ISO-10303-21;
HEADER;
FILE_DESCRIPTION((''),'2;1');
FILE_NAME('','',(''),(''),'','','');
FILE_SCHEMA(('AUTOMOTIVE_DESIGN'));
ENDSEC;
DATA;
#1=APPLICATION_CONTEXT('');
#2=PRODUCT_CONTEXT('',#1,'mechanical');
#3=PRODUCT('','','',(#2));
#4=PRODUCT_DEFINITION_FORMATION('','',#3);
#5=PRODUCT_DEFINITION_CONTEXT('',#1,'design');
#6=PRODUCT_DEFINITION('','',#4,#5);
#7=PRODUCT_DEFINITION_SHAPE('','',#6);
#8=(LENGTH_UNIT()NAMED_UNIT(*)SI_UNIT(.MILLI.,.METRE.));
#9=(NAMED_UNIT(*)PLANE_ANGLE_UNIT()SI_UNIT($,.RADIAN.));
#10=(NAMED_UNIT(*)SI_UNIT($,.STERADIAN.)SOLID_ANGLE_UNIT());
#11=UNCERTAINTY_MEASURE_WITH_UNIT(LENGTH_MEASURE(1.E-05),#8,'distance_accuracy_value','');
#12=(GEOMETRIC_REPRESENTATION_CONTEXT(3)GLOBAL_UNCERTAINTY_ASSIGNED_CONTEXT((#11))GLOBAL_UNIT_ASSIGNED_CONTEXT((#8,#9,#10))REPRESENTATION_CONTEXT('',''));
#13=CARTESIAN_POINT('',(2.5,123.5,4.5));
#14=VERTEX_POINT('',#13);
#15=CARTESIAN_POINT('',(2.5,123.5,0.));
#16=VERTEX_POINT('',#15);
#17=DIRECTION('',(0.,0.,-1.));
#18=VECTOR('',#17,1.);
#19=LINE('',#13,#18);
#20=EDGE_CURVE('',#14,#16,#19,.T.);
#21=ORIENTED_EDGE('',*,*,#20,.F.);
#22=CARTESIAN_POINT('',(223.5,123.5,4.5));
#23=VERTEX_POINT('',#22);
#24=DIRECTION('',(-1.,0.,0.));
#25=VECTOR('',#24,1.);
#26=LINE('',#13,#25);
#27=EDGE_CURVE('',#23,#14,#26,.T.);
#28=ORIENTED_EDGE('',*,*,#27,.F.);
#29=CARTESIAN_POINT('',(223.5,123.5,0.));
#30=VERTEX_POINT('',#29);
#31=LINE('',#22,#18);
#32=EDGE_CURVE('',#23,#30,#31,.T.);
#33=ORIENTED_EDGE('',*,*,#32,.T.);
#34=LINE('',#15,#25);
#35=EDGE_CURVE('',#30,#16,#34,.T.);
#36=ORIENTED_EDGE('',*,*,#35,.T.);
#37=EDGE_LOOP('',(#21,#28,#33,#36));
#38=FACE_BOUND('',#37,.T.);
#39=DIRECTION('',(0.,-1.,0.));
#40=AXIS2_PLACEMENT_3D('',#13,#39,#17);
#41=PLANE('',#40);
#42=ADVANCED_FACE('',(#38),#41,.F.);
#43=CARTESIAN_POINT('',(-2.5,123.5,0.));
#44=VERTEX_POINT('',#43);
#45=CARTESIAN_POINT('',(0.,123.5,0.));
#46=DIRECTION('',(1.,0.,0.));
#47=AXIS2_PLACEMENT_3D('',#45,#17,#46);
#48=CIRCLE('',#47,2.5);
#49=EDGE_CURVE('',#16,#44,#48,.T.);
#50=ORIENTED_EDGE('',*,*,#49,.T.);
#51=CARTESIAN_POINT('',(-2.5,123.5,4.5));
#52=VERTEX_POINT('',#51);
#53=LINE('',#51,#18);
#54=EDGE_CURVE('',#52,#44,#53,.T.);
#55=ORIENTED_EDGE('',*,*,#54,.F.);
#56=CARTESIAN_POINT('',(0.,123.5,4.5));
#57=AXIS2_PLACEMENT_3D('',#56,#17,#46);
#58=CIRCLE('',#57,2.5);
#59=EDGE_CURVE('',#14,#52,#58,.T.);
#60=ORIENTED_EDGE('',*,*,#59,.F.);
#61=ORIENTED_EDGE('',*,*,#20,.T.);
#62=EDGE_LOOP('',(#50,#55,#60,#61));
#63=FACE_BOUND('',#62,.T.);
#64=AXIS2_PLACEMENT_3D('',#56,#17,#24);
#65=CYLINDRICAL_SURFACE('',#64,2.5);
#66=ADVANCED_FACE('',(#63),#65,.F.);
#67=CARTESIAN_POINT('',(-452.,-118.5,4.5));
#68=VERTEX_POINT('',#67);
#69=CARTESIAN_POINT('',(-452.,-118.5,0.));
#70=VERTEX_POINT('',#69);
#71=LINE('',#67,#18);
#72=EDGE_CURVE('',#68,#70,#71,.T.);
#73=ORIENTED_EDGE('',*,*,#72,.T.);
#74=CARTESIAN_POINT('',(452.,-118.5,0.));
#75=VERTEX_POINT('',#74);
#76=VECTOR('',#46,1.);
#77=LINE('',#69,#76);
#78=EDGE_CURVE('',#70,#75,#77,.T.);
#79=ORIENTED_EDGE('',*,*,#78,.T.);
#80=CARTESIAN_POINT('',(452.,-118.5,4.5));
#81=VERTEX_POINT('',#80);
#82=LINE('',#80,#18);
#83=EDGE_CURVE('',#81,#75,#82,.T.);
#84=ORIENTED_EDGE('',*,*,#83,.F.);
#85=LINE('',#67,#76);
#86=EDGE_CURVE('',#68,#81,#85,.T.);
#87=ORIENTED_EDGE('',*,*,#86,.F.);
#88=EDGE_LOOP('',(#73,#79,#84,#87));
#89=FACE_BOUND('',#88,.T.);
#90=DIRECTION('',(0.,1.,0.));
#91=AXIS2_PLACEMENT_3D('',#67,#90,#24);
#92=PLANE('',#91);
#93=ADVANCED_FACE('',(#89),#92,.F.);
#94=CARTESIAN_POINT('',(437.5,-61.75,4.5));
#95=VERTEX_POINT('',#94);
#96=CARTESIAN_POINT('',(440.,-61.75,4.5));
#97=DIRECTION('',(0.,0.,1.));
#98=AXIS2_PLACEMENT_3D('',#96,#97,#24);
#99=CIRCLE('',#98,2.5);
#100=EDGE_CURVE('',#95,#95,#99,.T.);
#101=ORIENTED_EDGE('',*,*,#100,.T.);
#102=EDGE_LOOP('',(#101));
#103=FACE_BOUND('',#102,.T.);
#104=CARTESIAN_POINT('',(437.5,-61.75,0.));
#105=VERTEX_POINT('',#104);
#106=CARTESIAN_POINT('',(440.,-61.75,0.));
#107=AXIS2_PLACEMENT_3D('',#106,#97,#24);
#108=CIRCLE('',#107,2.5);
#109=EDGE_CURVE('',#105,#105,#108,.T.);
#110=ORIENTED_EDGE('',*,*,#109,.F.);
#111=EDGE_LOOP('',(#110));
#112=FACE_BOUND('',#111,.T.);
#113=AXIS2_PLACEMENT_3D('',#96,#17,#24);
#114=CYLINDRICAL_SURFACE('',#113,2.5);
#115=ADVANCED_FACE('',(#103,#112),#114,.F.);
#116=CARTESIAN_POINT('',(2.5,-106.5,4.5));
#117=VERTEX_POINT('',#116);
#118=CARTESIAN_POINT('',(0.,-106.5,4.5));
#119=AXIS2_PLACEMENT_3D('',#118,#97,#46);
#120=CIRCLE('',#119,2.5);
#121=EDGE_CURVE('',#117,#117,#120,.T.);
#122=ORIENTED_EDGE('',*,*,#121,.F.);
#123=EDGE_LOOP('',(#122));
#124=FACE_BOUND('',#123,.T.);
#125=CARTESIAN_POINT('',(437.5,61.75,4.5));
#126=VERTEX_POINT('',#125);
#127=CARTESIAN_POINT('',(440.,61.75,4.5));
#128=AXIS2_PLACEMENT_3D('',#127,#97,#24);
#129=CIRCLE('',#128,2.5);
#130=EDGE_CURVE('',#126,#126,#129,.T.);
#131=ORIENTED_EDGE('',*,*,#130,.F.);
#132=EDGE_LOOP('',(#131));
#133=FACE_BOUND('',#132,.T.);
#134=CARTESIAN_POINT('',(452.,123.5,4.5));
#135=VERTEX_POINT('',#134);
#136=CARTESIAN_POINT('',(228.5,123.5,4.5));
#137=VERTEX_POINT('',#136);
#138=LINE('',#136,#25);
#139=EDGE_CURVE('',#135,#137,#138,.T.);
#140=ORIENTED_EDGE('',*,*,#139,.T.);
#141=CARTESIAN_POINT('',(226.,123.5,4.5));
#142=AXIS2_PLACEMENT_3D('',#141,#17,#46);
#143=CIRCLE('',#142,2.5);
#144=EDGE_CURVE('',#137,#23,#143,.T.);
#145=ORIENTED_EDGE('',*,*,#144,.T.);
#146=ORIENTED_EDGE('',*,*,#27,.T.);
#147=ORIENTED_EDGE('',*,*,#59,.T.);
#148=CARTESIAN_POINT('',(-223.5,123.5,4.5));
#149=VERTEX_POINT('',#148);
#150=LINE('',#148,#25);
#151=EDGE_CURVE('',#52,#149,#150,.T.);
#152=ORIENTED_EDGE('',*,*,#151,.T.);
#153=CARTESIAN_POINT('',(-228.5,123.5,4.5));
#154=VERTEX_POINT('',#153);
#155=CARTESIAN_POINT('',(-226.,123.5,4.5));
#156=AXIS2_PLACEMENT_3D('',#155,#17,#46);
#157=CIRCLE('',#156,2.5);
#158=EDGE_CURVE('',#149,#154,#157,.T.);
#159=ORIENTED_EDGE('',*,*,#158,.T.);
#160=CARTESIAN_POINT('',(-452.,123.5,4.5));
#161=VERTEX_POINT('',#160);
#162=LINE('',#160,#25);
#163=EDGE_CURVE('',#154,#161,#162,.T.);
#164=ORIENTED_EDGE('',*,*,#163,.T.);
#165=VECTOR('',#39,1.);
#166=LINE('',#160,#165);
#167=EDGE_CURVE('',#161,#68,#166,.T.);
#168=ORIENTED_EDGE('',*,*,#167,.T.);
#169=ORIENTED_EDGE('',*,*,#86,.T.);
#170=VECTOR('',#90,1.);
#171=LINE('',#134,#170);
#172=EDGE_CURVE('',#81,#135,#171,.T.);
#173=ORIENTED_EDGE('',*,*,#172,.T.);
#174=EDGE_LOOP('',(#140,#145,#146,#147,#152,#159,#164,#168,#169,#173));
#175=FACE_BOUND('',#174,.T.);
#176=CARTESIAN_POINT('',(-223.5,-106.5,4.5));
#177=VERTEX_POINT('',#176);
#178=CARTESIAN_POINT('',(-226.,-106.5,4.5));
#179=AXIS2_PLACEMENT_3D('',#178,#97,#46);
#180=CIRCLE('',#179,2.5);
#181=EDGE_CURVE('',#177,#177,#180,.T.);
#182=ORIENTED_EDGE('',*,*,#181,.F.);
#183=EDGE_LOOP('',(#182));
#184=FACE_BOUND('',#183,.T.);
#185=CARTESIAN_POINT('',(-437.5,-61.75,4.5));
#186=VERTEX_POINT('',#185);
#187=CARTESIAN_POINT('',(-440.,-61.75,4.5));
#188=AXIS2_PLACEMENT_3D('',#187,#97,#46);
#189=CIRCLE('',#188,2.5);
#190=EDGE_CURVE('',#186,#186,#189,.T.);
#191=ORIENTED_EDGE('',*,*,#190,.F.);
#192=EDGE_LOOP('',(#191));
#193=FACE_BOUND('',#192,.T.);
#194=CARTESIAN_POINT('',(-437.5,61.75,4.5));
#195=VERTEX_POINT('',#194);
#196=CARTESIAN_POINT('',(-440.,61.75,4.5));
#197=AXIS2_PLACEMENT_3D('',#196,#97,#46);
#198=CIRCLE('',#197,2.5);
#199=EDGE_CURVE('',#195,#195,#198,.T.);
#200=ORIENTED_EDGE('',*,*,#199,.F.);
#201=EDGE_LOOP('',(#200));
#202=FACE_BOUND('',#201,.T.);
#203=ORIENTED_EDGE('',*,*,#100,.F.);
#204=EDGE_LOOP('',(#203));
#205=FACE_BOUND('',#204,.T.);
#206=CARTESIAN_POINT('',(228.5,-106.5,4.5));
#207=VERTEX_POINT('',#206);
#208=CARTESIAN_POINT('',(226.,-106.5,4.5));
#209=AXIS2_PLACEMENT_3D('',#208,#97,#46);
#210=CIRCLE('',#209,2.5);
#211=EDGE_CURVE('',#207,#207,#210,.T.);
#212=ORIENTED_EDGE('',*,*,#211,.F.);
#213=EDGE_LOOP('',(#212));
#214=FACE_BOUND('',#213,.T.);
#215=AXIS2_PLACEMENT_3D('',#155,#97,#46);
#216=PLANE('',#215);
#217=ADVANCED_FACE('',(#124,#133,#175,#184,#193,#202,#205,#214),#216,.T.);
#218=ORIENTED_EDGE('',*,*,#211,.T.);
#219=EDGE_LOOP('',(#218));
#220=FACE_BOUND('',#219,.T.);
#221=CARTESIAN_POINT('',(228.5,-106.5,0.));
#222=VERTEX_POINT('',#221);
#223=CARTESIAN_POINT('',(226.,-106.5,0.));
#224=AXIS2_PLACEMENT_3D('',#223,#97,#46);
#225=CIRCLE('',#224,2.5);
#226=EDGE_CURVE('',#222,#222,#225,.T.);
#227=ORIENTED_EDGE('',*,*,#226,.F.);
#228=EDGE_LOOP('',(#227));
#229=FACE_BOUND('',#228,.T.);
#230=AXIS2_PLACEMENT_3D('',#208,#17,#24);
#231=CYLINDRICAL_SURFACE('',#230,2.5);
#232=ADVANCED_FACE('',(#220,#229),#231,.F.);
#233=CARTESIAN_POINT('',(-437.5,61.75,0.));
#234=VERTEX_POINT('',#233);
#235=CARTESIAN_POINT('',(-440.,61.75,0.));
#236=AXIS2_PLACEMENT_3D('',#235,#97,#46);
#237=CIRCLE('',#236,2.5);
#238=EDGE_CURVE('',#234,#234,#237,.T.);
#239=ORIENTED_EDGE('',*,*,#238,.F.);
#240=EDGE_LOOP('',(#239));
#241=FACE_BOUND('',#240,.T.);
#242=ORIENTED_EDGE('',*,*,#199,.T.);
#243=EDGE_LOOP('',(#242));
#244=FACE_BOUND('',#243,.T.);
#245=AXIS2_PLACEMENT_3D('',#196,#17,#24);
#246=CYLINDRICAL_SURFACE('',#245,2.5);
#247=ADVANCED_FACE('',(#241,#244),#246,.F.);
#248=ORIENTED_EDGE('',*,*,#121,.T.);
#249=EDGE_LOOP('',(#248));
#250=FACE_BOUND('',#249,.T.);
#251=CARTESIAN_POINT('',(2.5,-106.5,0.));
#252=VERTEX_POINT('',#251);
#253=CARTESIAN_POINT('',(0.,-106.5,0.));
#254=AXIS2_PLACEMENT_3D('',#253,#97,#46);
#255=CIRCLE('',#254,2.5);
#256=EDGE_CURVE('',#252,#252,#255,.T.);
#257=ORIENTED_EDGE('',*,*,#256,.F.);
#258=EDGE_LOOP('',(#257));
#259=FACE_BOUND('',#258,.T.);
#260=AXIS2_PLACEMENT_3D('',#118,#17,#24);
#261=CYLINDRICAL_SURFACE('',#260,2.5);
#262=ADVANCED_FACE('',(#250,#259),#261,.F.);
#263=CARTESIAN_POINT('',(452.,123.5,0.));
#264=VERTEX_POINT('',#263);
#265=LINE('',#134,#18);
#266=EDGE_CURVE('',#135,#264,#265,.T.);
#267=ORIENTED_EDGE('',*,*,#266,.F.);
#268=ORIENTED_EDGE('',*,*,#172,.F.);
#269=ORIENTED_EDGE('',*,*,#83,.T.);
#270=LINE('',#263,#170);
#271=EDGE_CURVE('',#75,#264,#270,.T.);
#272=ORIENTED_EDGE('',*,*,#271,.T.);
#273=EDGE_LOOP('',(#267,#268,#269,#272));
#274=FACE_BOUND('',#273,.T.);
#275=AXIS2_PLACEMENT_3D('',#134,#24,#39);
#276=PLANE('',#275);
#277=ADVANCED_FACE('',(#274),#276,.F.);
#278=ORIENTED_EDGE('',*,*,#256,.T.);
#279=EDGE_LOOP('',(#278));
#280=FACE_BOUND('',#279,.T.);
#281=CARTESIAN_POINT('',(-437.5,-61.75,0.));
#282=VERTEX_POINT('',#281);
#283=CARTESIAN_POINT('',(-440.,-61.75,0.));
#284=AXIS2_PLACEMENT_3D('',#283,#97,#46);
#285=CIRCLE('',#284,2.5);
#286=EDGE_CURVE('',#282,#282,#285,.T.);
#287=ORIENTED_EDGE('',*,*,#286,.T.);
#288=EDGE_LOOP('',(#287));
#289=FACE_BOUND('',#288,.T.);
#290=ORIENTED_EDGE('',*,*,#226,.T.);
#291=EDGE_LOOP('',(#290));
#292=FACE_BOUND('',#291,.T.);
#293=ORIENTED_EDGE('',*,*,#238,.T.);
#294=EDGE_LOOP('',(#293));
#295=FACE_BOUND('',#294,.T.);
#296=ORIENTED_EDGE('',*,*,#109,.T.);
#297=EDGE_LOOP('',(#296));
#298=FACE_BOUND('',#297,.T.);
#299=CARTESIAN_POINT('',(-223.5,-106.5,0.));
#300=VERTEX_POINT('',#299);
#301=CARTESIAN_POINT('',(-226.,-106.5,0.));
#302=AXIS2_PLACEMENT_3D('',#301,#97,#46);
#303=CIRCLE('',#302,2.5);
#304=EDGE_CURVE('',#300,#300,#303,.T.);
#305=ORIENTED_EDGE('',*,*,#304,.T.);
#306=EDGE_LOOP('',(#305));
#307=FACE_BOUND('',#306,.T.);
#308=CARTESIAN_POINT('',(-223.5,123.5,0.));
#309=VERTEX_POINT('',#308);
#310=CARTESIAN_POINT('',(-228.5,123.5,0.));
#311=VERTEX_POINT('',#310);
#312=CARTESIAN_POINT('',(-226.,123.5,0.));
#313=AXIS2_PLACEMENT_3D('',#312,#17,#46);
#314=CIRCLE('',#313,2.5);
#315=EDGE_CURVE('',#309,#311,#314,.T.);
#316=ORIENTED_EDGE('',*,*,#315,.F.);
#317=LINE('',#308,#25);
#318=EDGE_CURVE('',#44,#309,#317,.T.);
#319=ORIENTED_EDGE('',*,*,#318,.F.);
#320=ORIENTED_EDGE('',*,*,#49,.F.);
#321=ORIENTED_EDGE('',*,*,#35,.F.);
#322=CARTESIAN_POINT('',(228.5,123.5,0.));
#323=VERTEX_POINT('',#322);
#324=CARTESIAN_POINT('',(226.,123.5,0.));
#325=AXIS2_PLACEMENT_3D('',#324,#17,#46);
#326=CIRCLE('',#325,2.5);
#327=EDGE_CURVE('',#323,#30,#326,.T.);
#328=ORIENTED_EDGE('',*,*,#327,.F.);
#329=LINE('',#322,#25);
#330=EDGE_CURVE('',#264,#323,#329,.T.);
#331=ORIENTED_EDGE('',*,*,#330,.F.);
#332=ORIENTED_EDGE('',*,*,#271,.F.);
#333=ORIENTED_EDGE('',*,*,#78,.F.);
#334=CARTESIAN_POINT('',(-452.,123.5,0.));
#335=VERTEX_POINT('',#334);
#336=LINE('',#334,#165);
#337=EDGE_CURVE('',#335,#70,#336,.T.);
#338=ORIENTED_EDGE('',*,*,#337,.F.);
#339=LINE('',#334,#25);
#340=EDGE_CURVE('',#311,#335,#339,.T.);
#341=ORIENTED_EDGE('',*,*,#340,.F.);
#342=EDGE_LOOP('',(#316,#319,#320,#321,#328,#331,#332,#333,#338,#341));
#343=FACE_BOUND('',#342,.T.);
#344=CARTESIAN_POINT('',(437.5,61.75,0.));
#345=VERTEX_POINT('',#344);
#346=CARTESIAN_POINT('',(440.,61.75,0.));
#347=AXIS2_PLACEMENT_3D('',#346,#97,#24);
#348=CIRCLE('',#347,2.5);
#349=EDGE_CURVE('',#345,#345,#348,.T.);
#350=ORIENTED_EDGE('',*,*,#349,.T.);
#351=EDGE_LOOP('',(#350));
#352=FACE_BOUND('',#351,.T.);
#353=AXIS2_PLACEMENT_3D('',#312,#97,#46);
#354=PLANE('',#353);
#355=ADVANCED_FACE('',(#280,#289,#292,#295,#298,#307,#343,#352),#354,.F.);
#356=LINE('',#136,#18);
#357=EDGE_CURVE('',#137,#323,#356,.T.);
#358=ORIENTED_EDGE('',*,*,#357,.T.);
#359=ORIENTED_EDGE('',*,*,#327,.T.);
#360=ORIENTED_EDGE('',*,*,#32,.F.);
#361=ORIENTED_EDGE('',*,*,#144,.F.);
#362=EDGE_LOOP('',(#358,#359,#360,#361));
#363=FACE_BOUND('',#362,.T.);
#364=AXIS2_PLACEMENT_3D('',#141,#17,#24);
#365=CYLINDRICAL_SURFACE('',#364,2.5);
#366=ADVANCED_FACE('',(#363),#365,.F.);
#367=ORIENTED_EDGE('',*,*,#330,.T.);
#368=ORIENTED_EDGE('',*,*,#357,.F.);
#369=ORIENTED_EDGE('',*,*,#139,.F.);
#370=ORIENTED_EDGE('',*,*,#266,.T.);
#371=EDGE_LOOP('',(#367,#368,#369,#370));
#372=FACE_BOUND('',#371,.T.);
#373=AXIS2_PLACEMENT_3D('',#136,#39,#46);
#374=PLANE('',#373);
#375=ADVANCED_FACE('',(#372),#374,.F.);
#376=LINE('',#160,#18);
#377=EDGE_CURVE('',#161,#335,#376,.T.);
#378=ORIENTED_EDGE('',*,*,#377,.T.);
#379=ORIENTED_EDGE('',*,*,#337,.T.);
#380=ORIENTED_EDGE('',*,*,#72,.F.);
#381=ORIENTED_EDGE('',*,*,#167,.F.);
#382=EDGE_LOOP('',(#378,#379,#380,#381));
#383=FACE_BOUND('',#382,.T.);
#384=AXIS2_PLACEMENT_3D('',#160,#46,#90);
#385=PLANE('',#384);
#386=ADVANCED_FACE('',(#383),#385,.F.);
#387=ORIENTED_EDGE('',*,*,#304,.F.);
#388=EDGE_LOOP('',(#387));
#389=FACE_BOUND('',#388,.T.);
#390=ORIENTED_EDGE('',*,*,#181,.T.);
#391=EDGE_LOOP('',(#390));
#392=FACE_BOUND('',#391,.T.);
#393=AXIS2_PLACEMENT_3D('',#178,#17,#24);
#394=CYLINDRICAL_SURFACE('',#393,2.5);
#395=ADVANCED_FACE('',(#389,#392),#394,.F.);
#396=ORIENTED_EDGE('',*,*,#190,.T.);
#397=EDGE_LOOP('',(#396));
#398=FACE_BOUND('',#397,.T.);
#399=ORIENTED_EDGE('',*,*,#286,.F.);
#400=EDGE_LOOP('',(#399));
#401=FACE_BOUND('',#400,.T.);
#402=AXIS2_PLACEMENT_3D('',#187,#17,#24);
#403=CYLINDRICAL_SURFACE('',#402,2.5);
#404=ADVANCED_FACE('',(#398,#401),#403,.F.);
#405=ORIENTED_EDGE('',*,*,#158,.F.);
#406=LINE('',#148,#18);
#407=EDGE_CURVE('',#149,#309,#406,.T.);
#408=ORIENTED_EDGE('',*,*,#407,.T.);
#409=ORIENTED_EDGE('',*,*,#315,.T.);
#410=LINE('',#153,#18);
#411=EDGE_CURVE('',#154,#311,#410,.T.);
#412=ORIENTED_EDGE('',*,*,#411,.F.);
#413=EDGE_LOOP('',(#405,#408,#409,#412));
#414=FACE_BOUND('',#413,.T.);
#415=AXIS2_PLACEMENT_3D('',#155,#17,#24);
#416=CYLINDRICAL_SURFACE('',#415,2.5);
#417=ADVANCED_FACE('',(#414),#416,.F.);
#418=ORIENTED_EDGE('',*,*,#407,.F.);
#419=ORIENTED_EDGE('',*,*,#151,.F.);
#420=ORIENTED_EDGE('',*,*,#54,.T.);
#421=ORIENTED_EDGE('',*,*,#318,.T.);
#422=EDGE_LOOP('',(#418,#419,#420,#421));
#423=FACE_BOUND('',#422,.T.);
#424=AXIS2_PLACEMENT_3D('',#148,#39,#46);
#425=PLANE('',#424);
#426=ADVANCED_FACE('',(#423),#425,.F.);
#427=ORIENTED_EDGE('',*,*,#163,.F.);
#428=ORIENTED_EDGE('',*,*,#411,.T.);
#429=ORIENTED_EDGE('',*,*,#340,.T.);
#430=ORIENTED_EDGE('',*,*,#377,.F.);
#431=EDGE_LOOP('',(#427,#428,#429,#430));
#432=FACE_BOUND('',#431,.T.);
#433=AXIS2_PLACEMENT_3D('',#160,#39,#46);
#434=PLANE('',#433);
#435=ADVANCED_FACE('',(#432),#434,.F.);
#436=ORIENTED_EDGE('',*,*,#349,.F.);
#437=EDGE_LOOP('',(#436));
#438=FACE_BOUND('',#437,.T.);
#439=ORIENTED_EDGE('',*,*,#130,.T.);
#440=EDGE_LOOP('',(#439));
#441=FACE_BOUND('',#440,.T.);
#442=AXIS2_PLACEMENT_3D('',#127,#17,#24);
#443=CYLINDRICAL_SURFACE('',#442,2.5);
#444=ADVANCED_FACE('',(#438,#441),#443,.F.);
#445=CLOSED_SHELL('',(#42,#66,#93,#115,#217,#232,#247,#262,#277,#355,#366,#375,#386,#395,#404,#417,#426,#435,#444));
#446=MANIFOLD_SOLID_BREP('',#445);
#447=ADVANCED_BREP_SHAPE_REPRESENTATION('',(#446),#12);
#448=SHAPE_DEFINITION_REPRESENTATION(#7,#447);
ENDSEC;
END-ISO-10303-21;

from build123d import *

# Parameters (mm, degrees)
SKETCH1_R           = 2.5
BOSS_EXTRUDE1_DEPTH = 4.5


with BuildPart() as part:
    # Sketch1 → Boss-Extrude1 (new body)
    with BuildSketch(Plane.XY):
        with BuildLine():
            Line((-452, 123.5), (-452, -118.5))
            Line((-452, -118.5), (452, -118.5))
            Line((452, -118.5), (452, 123.5))
            Line((452, 123.5), (228.5, 123.5))
            ThreePointArc((228.5, 123.5), (226, 121), (223.5, 123.5))
            Line((223.5, 123.5), (2.5, 123.5))
            ThreePointArc((2.5, 123.5), (0, 121), (-2.5, 123.5))
            Line((-2.5, 123.5), (-223.5, 123.5))
            ThreePointArc((-223.5, 123.5), (-226, 121), (-228.5, 123.5))
            Line((-228.5, 123.5), (-452, 123.5))
        make_face()
        with Locations((-440, 61.75)):
            Circle(SKETCH1_R, mode=Mode.SUBTRACT)
        with Locations((-440, -61.75)):
            Circle(SKETCH1_R, mode=Mode.SUBTRACT)
        with Locations(Location((440, -61.75, 0), (0, 0, 180))):
            Circle(SKETCH1_R, mode=Mode.SUBTRACT)
        with Locations(Location((440, 61.75, 0), (0, 0, 180))):
            Circle(SKETCH1_R, mode=Mode.SUBTRACT)
        with Locations((0, -106.5)):
            Circle(SKETCH1_R, mode=Mode.SUBTRACT)
        with Locations((226, -106.5)):
            Circle(SKETCH1_R, mode=Mode.SUBTRACT)
        with Locations((-226, -106.5)):
            Circle(SKETCH1_R, mode=Mode.SUBTRACT)
    extrude(amount=BOSS_EXTRUDE1_DEPTH)


solid = part.part
